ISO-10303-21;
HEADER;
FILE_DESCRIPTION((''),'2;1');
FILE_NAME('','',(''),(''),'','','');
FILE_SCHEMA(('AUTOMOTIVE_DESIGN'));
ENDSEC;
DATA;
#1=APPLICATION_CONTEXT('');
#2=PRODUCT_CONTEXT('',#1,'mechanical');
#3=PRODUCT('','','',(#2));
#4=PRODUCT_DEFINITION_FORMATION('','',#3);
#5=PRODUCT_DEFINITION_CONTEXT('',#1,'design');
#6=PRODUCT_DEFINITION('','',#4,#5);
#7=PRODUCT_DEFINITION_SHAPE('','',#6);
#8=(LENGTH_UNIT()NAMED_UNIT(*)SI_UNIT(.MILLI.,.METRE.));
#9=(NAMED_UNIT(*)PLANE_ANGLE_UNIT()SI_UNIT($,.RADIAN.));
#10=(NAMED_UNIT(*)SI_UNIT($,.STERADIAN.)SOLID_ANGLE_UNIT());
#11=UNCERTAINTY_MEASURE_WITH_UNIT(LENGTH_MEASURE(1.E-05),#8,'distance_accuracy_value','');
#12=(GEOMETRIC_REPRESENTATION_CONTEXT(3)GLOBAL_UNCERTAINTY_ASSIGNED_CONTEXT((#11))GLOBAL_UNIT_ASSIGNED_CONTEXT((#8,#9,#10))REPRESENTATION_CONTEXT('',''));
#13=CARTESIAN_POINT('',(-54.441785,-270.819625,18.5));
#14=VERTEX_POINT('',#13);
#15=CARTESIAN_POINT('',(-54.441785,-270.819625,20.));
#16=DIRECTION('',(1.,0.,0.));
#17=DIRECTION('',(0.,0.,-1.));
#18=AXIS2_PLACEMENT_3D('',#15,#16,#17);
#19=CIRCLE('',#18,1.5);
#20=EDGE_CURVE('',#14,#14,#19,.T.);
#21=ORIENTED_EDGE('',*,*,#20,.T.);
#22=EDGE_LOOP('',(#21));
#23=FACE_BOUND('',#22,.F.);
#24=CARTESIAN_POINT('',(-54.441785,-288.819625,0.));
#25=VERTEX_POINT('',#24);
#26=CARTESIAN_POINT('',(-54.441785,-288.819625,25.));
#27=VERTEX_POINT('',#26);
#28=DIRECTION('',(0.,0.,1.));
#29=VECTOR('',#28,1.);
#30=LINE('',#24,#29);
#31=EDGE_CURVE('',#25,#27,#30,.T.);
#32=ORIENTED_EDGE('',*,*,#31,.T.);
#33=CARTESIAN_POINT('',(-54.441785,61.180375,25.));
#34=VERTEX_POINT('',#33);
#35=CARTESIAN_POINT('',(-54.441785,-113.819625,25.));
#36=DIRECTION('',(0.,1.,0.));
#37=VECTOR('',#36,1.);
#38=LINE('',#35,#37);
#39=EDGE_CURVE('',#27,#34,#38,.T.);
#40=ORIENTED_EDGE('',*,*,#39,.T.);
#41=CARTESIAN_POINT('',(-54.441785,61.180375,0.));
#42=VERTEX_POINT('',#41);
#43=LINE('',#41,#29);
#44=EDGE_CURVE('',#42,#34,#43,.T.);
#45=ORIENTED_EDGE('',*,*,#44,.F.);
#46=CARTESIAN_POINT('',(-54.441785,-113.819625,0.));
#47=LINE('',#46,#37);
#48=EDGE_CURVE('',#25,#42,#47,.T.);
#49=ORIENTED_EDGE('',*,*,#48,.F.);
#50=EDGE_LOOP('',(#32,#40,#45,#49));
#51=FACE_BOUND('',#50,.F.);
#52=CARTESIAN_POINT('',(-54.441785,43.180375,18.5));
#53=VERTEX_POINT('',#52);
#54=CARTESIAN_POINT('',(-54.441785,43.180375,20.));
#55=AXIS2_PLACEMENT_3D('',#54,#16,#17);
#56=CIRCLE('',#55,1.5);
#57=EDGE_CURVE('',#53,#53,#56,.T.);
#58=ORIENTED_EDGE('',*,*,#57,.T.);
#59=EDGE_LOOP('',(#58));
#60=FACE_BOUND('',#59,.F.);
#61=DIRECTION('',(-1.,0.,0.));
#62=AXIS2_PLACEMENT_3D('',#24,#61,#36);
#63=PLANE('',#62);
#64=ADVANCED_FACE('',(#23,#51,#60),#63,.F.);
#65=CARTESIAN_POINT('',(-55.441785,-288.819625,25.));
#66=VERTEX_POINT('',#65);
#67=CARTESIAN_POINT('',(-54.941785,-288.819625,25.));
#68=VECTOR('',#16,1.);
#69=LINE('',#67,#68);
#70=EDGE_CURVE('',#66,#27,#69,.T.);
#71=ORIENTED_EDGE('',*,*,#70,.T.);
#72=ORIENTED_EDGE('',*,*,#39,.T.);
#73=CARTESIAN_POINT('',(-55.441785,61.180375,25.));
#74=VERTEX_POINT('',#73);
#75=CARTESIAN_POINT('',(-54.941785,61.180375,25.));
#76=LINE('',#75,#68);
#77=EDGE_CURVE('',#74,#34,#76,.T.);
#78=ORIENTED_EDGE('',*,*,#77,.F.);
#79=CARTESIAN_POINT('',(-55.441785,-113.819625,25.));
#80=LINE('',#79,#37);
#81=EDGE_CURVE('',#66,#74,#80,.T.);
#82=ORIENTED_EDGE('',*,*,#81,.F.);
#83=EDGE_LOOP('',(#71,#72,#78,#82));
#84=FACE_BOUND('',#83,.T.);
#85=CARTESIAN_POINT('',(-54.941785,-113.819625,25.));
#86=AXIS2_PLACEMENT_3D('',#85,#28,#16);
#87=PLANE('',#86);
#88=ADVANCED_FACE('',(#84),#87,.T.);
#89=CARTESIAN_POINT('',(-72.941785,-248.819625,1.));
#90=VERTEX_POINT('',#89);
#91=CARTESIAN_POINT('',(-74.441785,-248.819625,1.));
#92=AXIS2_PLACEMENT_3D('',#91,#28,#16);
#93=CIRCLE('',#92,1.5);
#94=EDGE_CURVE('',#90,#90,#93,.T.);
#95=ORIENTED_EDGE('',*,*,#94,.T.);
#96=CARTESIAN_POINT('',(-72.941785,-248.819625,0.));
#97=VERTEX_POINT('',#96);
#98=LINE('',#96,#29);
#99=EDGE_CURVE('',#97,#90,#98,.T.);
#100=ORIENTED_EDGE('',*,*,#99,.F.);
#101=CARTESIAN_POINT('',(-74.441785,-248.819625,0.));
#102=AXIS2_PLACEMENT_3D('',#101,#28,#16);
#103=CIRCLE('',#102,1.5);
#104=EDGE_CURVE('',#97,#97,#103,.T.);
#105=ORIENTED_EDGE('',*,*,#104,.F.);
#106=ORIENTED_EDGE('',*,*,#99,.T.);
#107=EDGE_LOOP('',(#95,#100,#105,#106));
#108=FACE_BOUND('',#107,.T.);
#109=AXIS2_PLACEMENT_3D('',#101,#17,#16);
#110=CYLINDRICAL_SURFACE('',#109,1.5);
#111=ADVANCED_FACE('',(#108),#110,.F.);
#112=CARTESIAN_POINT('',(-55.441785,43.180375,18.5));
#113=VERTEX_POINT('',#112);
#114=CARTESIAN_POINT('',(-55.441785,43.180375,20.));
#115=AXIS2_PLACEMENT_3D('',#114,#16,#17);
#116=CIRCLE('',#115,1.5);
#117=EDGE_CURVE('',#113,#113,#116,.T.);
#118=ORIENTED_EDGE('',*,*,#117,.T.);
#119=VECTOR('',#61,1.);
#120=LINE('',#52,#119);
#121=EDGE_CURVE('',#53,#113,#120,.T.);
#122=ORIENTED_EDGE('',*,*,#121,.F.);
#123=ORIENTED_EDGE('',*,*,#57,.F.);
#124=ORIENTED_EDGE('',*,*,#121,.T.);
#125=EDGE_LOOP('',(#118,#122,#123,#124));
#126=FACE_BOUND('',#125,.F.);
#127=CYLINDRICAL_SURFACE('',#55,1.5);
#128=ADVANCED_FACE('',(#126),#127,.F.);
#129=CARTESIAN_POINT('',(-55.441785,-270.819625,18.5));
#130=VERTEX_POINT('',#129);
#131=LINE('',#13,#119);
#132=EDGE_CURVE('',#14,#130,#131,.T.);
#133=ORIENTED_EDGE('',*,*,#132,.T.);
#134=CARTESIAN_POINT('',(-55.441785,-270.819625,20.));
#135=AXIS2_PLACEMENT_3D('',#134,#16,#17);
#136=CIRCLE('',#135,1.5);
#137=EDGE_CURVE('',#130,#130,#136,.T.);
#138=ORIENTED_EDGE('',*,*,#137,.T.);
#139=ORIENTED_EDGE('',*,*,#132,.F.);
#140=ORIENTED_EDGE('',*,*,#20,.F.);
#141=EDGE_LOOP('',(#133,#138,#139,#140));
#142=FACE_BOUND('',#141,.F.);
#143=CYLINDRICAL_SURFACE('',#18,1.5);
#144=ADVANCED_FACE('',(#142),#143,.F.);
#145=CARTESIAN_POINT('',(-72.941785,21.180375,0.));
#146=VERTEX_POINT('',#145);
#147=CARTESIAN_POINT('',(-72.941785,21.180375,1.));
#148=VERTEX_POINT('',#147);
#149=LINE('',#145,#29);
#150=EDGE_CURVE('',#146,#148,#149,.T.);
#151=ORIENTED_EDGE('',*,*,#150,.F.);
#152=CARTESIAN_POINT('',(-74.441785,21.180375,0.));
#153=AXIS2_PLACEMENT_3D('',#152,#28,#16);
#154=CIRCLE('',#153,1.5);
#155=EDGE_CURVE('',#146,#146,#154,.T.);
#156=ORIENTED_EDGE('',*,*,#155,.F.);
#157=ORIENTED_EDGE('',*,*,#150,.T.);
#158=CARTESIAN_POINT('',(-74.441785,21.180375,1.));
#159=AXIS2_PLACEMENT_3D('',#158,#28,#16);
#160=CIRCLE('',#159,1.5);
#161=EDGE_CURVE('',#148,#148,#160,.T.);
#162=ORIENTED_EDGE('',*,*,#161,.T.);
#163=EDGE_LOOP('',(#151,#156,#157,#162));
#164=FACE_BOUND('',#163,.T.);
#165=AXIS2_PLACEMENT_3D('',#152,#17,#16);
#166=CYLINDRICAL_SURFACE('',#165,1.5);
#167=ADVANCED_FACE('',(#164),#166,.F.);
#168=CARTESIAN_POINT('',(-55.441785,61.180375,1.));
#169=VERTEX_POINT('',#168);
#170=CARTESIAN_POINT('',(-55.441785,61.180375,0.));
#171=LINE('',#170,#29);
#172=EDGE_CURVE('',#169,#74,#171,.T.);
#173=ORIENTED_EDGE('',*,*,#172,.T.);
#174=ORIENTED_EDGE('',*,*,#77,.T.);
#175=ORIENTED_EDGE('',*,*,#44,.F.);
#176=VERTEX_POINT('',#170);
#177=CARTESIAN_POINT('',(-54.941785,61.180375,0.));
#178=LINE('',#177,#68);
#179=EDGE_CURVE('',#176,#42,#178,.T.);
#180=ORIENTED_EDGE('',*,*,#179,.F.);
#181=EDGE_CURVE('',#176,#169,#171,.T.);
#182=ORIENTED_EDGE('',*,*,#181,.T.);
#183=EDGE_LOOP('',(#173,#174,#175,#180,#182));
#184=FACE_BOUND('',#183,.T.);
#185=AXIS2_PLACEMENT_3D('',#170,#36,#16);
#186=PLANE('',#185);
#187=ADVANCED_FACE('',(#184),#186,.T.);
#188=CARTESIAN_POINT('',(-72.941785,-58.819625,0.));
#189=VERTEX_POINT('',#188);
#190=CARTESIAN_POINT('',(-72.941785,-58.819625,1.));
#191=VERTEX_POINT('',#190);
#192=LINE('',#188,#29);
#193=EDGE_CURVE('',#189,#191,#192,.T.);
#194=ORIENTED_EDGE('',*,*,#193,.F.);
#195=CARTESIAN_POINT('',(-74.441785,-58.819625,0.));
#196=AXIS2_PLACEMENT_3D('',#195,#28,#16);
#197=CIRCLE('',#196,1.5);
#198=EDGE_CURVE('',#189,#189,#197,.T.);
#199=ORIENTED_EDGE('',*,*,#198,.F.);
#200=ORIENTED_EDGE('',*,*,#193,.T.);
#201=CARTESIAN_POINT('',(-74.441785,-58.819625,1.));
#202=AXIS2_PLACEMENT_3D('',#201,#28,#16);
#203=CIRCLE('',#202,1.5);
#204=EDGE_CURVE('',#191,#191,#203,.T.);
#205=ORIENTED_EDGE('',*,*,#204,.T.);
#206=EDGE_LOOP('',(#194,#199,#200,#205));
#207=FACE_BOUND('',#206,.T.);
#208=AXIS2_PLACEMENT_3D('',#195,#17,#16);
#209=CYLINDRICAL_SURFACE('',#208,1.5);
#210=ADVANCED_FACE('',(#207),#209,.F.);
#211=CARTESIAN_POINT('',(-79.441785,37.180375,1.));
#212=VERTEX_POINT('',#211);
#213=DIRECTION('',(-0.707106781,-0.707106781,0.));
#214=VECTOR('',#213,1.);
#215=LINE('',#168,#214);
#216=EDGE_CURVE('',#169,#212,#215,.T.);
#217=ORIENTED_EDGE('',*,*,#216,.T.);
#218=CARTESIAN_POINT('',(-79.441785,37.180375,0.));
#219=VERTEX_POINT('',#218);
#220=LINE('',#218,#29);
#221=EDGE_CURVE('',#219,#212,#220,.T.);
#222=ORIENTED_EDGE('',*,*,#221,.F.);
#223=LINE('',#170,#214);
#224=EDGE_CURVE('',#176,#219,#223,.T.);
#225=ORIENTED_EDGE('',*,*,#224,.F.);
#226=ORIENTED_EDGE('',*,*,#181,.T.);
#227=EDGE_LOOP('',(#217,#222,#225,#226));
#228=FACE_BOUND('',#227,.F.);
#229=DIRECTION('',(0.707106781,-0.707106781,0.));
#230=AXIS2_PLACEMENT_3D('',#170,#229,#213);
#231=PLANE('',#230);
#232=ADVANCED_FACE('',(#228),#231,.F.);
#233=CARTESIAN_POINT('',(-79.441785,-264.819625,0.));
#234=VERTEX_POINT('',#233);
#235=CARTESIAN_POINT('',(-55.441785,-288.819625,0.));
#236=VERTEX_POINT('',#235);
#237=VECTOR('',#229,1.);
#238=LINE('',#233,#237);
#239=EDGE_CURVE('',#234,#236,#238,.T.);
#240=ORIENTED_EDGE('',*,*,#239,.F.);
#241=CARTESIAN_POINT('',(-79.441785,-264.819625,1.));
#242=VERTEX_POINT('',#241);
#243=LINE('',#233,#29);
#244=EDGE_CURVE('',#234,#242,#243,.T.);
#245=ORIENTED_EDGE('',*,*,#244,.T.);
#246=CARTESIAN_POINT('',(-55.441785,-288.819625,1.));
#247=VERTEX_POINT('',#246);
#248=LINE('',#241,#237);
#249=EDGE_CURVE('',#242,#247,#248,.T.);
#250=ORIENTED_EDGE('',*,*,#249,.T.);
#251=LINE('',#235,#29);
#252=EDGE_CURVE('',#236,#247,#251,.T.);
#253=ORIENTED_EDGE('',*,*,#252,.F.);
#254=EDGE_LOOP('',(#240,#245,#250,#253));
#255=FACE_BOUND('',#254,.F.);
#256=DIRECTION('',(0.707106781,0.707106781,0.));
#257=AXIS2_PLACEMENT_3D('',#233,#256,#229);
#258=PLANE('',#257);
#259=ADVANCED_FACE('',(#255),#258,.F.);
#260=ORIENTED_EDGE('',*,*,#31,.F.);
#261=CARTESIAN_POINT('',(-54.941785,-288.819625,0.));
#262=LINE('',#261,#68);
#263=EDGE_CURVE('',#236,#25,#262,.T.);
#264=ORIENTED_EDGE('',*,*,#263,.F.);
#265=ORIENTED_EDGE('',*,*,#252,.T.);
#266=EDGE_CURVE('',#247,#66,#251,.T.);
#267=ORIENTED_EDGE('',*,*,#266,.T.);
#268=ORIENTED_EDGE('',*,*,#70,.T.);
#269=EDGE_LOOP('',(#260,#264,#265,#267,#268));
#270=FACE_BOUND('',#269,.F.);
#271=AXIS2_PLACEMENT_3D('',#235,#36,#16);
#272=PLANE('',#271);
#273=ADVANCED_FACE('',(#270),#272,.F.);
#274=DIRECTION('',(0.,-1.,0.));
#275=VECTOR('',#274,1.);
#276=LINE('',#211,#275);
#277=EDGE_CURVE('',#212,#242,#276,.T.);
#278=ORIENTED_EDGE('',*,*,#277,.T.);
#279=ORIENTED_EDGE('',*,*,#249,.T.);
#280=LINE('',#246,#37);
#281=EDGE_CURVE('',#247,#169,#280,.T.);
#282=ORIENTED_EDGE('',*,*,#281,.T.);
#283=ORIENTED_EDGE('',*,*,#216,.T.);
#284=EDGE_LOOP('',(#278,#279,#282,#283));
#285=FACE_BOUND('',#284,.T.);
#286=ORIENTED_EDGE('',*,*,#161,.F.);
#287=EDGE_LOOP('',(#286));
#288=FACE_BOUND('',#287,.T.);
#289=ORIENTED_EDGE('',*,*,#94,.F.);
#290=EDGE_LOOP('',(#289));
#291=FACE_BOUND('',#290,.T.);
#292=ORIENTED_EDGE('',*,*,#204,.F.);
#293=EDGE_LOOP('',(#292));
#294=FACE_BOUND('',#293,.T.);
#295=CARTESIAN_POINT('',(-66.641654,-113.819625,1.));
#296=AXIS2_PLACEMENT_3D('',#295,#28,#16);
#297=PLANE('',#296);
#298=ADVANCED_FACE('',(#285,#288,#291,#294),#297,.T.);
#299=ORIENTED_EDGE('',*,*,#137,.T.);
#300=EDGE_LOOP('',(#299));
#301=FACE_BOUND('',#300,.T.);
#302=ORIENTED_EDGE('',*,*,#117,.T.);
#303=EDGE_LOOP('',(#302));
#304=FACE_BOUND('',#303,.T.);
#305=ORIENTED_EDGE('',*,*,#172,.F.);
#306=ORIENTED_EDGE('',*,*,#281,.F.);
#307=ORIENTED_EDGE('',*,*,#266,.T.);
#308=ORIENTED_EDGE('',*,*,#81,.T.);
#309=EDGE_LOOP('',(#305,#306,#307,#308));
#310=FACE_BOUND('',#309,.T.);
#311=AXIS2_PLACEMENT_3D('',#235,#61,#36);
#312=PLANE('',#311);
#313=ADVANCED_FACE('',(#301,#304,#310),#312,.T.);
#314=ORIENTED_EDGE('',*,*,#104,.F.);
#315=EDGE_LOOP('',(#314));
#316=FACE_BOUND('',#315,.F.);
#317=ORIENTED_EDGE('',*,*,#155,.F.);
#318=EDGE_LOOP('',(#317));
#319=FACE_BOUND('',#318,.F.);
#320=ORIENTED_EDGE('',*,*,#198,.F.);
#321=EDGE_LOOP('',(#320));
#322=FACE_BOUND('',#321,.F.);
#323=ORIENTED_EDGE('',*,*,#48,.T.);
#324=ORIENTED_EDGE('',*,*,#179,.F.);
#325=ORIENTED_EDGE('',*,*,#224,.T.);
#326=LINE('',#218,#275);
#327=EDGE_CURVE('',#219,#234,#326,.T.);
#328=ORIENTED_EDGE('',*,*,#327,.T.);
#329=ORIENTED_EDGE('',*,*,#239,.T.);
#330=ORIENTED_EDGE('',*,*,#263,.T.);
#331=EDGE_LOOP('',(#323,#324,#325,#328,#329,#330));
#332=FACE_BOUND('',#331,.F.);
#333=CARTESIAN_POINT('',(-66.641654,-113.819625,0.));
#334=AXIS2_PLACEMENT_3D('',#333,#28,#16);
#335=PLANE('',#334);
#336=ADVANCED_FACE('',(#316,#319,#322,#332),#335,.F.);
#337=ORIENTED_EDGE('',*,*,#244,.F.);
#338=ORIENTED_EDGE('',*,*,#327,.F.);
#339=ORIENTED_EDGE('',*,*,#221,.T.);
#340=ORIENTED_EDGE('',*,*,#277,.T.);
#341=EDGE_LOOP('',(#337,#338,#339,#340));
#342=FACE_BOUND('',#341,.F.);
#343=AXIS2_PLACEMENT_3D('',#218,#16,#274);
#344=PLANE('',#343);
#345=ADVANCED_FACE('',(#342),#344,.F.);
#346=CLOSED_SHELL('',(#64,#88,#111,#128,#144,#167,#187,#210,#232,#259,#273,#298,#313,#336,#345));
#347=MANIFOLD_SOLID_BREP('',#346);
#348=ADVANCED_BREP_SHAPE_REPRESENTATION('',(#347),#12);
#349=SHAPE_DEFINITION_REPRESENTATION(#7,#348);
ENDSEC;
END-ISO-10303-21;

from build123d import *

# Parameters (mm, degrees)
CROQUIS2_W              = 1
CROQUIS2_H              = 350
SALIENTE_EXTRUIR2_DEPTH = 25
CROQUIS5_R              = 1.5
CORTAR_EXTRUIR2_DEPTH   = 1
CROQUIS1_R              = 1.5
SALIENTE_EXTRUIR3_DEPTH = 1


with BuildPart() as part:
    # Croquis2 → Saliente-Extruir2 (new body)
    with BuildSketch(Plane.XY):
        with Locations((-54.941785307, -113.819624774)):
            Rectangle(CROQUIS2_W, CROQUIS2_H)
    extrude(amount=SALIENTE_EXTRUIR2_DEPTH)

    # Croquis5 → Cortar-Extruir2 (cut)
    with BuildSketch(Plane(origin=(-54.441785307, 0, 0), x_dir=(0, 0, -1), z_dir=(1, 0, 0))):
        with Locations((-20, 43.180375226)):
            Circle(CROQUIS5_R)
        with Locations((-20, -270.819624774)):
            Circle(CROQUIS5_R)
    extrude(amount=-CORTAR_EXTRUIR2_DEPTH, mode=Mode.SUBTRACT)

    # Croquis1 → Saliente-Extruir3 (add)
    with BuildSketch(Plane.XY):
        Polygon((-55.441785307, 61.180375226), (-79.441785307, 37.180375226), (-79.441785307, -264.819624774), (-55.441785307, -288.819624774), align=None)
        with Locations((-74.441785307, 21.180375226)):
            Circle(CROQUIS1_R, mode=Mode.SUBTRACT)
        with Locations((-74.441785307, -248.819624774)):
            Circle(CROQUIS1_R, mode=Mode.SUBTRACT)
        with Locations((-74.441785307, -58.819624774)):
            Circle(CROQUIS1_R, mode=Mode.SUBTRACT)
    extrude(amount=SALIENTE_EXTRUIR3_DEPTH)


solid = part.part
